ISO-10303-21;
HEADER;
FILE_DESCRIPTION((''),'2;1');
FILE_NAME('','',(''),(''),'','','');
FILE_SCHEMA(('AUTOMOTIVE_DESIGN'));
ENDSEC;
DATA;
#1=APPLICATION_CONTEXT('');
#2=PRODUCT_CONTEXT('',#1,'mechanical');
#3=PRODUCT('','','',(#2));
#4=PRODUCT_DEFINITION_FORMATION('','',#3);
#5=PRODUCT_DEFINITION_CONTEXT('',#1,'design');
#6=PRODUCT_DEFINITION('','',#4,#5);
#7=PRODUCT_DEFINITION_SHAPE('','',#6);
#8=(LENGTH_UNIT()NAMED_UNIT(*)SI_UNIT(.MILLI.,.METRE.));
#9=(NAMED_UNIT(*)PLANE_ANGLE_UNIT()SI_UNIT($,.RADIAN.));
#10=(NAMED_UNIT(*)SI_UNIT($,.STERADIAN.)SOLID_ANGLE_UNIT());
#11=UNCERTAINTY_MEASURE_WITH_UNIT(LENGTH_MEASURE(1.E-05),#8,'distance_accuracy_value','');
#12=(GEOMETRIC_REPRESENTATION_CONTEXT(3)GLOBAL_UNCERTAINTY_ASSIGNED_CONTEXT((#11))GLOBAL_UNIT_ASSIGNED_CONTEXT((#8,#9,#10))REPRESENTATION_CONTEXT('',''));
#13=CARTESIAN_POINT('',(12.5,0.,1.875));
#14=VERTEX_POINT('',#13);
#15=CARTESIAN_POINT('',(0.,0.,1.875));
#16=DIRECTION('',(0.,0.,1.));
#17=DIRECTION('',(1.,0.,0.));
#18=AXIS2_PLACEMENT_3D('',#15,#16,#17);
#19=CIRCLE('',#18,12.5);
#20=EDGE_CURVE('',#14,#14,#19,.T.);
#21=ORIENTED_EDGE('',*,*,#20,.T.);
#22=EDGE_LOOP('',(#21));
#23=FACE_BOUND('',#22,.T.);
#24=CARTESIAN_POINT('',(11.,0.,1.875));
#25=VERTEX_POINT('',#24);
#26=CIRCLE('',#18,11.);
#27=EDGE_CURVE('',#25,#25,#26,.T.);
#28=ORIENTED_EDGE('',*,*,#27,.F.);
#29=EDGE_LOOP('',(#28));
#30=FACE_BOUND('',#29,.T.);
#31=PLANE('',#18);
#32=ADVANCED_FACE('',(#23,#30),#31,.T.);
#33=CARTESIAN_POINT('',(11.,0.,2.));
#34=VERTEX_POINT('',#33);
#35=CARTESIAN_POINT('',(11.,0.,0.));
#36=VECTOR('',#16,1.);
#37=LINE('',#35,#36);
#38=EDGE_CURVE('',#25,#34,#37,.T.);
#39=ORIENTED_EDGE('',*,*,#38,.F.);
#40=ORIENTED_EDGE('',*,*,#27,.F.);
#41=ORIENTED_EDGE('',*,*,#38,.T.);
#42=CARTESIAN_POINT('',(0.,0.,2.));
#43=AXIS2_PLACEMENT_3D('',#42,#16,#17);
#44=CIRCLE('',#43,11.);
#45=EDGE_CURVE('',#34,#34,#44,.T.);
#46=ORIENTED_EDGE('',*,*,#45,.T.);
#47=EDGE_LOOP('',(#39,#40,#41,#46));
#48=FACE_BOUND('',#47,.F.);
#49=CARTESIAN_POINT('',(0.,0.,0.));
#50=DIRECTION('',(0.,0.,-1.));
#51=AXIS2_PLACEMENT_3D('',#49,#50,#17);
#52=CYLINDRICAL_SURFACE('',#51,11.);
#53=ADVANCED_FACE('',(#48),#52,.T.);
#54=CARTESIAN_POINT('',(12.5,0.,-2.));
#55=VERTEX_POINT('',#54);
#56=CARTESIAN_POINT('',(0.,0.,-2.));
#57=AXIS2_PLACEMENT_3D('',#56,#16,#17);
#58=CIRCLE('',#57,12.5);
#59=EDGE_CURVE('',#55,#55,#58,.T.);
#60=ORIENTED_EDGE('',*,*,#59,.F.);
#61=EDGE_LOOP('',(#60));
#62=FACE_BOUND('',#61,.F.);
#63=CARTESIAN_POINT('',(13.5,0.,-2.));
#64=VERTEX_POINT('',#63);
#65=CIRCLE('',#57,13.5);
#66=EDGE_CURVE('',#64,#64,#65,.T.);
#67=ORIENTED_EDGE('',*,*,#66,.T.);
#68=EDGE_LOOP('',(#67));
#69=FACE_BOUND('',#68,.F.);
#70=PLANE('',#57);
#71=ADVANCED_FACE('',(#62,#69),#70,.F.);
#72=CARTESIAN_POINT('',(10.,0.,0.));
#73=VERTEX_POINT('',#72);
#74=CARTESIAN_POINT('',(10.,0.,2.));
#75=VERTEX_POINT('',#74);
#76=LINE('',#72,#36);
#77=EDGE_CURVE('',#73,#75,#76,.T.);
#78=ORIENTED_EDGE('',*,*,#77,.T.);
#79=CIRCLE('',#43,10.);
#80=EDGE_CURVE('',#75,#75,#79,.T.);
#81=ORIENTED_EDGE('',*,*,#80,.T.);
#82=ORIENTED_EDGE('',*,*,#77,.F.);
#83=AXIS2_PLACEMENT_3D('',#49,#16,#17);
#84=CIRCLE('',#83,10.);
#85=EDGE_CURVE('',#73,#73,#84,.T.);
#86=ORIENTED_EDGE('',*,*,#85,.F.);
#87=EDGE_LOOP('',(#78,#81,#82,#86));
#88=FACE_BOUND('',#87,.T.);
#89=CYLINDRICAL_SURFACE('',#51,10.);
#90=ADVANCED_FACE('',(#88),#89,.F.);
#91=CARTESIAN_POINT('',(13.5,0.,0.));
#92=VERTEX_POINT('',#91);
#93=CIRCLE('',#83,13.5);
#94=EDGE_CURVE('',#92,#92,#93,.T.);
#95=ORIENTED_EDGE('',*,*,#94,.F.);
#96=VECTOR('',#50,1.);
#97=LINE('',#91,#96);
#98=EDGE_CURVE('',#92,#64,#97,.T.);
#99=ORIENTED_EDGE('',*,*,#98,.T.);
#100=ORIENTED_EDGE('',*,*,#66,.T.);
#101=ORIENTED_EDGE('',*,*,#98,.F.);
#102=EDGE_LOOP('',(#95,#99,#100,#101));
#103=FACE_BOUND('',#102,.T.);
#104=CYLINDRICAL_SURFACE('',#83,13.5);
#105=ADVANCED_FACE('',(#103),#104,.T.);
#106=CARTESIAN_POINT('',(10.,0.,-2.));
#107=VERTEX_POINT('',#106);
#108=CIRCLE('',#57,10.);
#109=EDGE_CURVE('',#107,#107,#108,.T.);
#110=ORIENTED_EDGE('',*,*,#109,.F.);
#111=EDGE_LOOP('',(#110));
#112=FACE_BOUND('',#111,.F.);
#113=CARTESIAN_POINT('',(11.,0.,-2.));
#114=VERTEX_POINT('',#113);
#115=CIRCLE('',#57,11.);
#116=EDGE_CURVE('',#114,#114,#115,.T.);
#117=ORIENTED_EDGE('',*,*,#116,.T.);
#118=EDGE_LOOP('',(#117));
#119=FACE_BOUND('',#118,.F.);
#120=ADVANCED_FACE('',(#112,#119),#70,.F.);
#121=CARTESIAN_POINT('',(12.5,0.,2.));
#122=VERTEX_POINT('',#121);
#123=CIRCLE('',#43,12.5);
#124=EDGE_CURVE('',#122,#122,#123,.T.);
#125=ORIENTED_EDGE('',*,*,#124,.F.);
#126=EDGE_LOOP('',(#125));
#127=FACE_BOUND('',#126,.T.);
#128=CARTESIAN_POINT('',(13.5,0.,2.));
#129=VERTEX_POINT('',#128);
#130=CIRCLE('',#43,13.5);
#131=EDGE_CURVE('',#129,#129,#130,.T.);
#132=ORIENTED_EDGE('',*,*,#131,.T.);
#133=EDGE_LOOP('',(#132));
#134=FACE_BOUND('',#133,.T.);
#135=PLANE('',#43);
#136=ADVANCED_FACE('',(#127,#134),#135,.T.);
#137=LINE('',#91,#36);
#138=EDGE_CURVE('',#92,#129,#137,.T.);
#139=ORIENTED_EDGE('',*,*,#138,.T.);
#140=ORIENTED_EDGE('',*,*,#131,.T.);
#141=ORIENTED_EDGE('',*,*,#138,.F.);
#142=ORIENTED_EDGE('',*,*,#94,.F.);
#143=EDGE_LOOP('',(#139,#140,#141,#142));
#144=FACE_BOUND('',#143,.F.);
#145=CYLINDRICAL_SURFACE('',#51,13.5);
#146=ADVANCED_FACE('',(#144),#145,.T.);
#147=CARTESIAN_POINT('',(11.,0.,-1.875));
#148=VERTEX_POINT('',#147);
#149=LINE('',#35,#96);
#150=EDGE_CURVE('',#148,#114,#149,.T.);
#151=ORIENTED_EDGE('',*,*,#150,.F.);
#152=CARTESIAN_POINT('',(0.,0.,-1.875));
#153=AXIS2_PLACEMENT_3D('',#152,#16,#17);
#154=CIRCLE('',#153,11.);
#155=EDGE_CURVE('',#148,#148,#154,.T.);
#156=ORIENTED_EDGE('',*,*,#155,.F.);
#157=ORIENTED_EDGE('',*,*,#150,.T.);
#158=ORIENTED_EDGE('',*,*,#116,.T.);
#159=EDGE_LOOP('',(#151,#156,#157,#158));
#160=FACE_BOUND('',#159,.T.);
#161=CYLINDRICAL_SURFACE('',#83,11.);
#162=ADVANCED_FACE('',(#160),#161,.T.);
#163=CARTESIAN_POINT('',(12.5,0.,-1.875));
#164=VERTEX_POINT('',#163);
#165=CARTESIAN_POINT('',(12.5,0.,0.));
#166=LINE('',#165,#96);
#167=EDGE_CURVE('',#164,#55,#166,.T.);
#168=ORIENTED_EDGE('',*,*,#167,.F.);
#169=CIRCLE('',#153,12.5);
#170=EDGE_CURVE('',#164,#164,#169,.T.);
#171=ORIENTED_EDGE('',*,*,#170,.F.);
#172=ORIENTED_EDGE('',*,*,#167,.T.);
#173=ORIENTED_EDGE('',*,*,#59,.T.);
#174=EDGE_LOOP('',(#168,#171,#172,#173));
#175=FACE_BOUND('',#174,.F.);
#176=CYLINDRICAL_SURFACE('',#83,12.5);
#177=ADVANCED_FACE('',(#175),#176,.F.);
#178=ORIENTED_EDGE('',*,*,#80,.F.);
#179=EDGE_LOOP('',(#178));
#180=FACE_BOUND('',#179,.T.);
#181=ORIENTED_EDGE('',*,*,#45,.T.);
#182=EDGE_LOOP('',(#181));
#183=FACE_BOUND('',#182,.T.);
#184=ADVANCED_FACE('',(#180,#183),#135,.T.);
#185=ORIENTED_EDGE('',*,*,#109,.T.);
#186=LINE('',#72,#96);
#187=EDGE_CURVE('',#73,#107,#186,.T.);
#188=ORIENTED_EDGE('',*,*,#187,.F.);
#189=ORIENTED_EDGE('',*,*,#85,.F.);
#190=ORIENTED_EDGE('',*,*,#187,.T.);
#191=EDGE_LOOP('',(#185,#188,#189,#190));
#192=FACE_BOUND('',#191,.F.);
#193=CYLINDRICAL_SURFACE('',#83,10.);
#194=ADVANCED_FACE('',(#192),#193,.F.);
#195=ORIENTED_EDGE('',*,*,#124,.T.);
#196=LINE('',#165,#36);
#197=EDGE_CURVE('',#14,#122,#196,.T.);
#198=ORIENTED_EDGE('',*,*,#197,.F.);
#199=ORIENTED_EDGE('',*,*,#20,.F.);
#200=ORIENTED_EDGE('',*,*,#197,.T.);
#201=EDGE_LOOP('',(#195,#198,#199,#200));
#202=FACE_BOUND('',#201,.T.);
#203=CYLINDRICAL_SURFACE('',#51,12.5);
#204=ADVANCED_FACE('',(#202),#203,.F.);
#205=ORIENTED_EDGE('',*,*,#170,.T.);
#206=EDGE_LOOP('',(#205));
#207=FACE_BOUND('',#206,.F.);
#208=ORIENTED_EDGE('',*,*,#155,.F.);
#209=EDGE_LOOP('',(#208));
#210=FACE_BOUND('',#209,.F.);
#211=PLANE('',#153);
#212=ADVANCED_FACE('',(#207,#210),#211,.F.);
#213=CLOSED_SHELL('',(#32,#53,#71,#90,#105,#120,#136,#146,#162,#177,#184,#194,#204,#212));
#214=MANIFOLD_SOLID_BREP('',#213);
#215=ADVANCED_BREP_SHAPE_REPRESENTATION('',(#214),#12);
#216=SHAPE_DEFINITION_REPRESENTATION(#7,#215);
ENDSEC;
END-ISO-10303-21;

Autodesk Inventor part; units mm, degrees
ref_plane "YZ Plane" through (0, 0, 0) normal (1, 0, 0) x (0, 1, 0)
ref_plane "XZ Plane" through (0, 0, 0) normal (0, 1, 0) x (-1, 0, 0)
ref_plane "XY Plane" through (0, 0, 0) normal (0, 0, 1) x (1, 0, 0)
sketch "Sketch1" plane through (0, 0, 0) normal (0, 0, 1) x (1, 0, 0)
  circle A0 centre (0, 0) radius 10
  circle A1 centre (0, 0) radius 13.5
  circle A2 centre (0, 0) radius 12.5
  circle A3 centre (0, 0) radius 11
  dimension "d0" = 20
  dimension "d1" = 27
  dimension "d2" = 1
  dimension "d3" = 1
extrude "Extrusion1" add sketch "Sketch1" along normal mid plane 4
extrude "Extrusion2" add sketch "Sketch1" along normal mid plane 3.75 contours A2
properties part number "6704ZZ" material "Steel, Carbon"
